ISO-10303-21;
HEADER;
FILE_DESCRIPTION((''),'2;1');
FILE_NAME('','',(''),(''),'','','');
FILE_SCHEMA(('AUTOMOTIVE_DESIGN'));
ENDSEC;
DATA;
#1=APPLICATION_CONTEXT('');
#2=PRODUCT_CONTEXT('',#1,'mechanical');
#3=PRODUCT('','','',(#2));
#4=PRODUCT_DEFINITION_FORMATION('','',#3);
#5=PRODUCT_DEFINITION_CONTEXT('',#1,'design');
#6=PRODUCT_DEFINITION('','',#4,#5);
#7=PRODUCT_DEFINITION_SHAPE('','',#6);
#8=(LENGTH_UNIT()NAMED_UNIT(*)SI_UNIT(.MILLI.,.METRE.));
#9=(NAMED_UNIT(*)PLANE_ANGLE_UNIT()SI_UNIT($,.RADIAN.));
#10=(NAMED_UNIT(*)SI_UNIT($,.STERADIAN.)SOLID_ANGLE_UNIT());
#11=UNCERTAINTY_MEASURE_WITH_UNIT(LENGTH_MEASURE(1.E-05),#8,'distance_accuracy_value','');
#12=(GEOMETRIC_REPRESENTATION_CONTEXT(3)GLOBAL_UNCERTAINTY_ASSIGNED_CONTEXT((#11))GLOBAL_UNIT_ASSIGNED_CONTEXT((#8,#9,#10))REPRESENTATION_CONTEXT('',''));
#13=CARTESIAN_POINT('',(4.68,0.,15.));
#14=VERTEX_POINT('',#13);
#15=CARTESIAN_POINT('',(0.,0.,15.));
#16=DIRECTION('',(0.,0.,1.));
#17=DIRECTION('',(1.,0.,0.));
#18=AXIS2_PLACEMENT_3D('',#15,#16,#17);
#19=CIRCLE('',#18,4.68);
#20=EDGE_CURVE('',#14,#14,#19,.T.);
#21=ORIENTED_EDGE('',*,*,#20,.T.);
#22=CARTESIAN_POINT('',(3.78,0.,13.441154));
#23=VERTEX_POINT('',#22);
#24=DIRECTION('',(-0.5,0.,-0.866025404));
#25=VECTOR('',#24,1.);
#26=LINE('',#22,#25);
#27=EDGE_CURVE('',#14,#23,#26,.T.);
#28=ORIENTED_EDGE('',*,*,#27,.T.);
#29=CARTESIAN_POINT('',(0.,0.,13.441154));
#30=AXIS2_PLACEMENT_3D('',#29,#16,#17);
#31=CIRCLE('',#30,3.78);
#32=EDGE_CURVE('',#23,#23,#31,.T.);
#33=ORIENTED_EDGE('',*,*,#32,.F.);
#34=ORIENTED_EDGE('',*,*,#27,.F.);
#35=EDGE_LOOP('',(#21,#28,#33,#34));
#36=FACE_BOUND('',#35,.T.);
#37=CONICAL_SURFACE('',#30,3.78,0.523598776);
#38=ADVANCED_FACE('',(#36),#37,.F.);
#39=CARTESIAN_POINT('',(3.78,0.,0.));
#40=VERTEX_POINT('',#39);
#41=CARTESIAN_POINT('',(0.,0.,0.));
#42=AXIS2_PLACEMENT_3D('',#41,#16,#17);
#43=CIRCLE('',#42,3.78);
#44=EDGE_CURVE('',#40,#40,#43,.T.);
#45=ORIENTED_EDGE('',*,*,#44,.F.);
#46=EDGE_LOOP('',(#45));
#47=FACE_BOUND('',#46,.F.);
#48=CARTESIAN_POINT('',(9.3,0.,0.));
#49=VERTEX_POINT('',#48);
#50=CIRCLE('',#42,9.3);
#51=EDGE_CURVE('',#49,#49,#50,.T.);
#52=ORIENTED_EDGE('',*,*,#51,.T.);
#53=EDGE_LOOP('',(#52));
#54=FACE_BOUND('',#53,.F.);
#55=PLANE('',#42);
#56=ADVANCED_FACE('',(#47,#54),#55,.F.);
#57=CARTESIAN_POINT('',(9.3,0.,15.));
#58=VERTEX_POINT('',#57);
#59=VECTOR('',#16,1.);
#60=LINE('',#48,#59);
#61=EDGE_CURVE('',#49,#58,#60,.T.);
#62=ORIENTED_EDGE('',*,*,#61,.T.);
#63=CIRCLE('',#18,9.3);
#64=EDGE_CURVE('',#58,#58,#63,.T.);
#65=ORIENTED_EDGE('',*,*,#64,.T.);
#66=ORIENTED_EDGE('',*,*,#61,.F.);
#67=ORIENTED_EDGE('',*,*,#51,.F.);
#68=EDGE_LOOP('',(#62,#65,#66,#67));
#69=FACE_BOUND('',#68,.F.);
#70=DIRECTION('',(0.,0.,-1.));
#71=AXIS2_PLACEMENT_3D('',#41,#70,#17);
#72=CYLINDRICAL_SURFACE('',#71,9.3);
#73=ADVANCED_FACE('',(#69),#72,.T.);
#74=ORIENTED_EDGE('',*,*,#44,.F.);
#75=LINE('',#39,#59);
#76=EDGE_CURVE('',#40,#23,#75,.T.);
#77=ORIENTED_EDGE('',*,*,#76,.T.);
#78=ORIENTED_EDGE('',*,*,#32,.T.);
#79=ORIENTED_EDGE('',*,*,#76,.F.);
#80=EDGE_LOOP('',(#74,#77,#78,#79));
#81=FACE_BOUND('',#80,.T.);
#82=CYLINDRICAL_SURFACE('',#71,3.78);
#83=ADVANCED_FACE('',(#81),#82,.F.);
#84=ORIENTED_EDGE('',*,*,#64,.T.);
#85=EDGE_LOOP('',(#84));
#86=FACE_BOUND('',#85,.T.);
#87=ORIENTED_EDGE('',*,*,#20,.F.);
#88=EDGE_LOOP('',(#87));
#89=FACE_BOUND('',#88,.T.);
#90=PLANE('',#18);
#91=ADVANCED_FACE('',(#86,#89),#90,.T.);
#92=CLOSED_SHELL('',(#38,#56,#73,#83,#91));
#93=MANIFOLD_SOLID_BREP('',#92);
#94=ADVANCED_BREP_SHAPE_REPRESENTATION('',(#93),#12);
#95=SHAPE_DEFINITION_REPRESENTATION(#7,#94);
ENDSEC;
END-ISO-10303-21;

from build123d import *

# Parameters (mm, degrees)
F0_R     = 3.1
F0_R_2   = 1.26
F1_DEPTH = 5
F2_SIZE2 = 0.5196152423
F2_SIZE  = 0.3
F3_SCALE = 3


with BuildPart() as f1:
    # F0 (on Top) → F1 (new body)
    with BuildSketch(Plane.XY):
        Circle(F0_R)
        Circle(F0_R_2, mode=Mode.SUBTRACT)
    extrude(amount=F1_DEPTH)

    # F2
    f2_edges = [f1.edges().sort_by_distance(p)[0] for p in [
        (-1.26, 0, 5),
    ]]
    f2_side = f1.faces().sort_by_distance((-3.012319, 0, 5))[0]
    chamfer(f2_edges, length=F2_SIZE, length2=F2_SIZE2, reference=f2_side)


with BuildPart() as f1_1:
    # F3: moved
    add(f1.part.scale(F3_SCALE))


solid = f1_1.part
